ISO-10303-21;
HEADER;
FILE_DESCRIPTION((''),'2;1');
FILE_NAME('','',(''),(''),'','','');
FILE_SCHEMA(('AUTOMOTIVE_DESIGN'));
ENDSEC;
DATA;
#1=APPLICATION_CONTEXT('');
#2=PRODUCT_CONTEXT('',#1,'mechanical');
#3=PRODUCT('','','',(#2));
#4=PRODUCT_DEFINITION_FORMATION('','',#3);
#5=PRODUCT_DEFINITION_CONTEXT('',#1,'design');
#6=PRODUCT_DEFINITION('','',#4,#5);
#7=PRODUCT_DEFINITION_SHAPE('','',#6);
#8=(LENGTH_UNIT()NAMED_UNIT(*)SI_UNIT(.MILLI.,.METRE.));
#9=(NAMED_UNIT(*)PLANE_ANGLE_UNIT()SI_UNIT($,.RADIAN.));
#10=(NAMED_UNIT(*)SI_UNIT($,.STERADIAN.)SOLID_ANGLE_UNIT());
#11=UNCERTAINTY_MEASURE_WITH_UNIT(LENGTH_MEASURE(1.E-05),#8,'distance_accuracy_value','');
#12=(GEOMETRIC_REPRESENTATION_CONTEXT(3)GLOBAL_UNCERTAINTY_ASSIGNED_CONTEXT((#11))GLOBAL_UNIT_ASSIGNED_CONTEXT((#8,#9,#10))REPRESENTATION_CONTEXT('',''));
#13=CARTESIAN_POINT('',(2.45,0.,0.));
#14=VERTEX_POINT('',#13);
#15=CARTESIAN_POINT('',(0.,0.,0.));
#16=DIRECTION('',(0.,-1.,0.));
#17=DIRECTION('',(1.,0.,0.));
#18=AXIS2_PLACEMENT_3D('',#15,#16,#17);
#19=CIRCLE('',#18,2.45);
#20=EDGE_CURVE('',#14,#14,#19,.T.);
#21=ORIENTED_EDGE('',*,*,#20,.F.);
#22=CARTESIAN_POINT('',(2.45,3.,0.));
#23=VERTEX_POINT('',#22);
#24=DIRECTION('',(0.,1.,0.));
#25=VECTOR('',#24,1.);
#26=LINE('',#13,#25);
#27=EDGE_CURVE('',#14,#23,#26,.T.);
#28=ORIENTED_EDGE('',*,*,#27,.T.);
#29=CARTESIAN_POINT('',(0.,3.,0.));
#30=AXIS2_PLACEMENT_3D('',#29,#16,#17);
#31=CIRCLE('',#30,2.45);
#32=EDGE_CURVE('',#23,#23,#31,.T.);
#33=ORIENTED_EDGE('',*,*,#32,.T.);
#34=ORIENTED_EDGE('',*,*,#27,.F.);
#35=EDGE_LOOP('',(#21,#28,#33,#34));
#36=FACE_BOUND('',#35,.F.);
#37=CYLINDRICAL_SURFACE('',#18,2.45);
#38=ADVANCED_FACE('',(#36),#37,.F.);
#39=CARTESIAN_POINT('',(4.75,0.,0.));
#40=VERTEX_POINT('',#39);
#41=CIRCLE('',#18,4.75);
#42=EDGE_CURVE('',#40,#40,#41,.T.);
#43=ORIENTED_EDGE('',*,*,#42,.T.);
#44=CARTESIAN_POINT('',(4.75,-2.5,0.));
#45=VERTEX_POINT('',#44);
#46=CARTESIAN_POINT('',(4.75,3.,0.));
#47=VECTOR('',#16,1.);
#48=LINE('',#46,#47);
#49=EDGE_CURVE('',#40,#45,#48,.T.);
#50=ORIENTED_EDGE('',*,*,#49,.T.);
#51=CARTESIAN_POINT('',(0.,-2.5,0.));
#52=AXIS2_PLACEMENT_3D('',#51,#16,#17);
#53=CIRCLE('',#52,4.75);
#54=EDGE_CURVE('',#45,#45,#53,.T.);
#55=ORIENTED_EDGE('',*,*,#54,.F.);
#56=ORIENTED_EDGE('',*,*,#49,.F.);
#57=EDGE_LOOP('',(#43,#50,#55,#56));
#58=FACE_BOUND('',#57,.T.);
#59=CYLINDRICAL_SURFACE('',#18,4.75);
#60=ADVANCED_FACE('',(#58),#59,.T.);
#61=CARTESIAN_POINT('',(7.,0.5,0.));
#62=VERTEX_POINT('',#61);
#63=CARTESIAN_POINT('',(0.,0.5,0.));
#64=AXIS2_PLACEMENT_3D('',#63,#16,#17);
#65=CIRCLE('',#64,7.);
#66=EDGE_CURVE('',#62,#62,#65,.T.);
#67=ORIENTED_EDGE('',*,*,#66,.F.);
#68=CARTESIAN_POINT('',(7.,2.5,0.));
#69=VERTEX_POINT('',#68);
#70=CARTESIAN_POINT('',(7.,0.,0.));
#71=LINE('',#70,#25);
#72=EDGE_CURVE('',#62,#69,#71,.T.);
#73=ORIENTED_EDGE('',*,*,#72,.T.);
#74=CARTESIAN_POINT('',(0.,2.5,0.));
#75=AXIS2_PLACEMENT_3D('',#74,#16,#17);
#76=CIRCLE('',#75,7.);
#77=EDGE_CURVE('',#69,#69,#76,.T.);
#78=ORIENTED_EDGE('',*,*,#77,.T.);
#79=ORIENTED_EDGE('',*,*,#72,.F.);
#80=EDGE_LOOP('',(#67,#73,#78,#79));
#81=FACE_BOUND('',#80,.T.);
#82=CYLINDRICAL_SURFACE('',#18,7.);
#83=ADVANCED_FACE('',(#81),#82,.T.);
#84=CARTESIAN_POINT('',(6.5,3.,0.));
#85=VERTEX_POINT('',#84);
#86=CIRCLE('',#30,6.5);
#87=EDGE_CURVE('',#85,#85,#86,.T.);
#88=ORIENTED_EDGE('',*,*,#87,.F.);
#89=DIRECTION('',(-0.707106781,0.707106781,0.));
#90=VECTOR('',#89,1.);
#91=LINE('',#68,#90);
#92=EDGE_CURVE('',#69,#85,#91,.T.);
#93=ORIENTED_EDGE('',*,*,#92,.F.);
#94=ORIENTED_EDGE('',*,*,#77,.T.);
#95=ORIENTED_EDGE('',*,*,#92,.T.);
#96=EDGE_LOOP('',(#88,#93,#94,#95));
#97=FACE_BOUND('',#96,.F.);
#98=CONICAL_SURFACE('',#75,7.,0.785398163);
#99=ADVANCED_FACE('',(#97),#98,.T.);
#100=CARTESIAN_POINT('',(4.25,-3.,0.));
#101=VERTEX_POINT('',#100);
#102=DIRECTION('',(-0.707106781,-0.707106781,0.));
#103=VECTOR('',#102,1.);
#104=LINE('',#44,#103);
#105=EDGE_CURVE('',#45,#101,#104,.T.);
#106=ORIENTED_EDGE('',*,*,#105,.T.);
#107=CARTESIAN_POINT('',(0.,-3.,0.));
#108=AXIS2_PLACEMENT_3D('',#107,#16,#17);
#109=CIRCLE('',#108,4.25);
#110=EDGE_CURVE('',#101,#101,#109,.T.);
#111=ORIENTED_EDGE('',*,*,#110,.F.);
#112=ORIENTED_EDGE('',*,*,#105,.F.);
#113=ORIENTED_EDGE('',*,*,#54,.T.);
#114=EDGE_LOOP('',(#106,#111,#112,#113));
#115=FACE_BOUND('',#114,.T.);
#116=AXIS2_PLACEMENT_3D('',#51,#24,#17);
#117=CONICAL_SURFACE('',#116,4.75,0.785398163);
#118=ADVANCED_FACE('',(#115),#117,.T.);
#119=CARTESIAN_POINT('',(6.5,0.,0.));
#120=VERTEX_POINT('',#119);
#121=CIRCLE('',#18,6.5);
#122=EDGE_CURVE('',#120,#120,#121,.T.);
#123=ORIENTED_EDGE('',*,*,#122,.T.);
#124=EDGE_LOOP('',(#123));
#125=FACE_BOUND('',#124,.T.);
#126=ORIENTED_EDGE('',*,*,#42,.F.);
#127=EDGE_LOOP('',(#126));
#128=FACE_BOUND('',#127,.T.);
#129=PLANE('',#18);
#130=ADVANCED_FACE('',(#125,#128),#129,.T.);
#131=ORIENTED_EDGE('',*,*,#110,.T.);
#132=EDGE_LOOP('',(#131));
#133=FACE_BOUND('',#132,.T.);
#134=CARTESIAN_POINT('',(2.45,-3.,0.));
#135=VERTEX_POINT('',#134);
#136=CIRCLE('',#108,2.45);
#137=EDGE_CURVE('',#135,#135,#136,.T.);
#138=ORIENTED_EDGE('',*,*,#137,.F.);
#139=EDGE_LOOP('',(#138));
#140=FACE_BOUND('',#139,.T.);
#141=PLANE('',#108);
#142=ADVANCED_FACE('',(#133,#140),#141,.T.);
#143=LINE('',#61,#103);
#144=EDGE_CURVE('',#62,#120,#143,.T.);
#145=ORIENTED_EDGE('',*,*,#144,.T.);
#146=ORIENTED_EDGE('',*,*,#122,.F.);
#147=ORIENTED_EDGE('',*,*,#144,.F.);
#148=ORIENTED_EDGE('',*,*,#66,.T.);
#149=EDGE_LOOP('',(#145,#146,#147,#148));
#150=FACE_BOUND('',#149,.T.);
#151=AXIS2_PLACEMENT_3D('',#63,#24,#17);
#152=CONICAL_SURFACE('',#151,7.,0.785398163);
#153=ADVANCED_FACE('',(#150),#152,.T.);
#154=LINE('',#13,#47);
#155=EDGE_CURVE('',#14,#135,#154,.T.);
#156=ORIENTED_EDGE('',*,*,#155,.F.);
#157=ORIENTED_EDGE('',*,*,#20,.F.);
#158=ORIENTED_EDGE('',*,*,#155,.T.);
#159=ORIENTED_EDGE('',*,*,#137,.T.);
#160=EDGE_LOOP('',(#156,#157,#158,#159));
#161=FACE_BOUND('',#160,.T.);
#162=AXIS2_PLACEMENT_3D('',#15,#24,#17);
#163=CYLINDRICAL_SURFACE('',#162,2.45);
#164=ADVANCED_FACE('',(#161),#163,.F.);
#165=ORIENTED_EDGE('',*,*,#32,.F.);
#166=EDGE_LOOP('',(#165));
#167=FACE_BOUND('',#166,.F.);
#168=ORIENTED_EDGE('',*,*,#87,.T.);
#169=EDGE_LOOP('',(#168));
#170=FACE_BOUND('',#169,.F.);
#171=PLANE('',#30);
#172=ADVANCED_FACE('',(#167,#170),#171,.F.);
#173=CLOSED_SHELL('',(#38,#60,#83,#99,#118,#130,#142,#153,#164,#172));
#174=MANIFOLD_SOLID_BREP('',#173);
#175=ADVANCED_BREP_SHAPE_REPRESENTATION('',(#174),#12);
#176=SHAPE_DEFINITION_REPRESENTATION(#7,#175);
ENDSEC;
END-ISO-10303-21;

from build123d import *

# Parameters (mm, degrees)
F0_R          = 4.75
F0_R_2        = 2.45
F1_DEPTH      = 3
F1_DEPTH_BACK = 3
F0_R_3        = 7
F2_DEPTH      = 3
F3_SIZE       = 0.5


with BuildPart() as f1:
    # F0 (on Front) → F1 (new body, two sides)
    with BuildSketch(Plane.XZ) as f1_sk:
        Circle(F0_R)
        Circle(F0_R_2, mode=Mode.SUBTRACT)
    extrude(amount=F1_DEPTH)
    extrude(f1_sk.sketch, amount=-F1_DEPTH_BACK)

    # F0 (on Front) → F2 (join)
    with BuildSketch(Plane.XZ):
        Circle(F0_R_3)
        Circle(F0_R, mode=Mode.SUBTRACT)
    extrude(amount=-F2_DEPTH)

    # F3
    f3_edges = [f1.edges().sort_by_distance(p)[0] for p in [
        (-4.75, -3, 0),
        (-7, 0, 0),
        (-7, 3, 0),
    ]]
    chamfer(f3_edges, length=F3_SIZE)


solid = f1.part
